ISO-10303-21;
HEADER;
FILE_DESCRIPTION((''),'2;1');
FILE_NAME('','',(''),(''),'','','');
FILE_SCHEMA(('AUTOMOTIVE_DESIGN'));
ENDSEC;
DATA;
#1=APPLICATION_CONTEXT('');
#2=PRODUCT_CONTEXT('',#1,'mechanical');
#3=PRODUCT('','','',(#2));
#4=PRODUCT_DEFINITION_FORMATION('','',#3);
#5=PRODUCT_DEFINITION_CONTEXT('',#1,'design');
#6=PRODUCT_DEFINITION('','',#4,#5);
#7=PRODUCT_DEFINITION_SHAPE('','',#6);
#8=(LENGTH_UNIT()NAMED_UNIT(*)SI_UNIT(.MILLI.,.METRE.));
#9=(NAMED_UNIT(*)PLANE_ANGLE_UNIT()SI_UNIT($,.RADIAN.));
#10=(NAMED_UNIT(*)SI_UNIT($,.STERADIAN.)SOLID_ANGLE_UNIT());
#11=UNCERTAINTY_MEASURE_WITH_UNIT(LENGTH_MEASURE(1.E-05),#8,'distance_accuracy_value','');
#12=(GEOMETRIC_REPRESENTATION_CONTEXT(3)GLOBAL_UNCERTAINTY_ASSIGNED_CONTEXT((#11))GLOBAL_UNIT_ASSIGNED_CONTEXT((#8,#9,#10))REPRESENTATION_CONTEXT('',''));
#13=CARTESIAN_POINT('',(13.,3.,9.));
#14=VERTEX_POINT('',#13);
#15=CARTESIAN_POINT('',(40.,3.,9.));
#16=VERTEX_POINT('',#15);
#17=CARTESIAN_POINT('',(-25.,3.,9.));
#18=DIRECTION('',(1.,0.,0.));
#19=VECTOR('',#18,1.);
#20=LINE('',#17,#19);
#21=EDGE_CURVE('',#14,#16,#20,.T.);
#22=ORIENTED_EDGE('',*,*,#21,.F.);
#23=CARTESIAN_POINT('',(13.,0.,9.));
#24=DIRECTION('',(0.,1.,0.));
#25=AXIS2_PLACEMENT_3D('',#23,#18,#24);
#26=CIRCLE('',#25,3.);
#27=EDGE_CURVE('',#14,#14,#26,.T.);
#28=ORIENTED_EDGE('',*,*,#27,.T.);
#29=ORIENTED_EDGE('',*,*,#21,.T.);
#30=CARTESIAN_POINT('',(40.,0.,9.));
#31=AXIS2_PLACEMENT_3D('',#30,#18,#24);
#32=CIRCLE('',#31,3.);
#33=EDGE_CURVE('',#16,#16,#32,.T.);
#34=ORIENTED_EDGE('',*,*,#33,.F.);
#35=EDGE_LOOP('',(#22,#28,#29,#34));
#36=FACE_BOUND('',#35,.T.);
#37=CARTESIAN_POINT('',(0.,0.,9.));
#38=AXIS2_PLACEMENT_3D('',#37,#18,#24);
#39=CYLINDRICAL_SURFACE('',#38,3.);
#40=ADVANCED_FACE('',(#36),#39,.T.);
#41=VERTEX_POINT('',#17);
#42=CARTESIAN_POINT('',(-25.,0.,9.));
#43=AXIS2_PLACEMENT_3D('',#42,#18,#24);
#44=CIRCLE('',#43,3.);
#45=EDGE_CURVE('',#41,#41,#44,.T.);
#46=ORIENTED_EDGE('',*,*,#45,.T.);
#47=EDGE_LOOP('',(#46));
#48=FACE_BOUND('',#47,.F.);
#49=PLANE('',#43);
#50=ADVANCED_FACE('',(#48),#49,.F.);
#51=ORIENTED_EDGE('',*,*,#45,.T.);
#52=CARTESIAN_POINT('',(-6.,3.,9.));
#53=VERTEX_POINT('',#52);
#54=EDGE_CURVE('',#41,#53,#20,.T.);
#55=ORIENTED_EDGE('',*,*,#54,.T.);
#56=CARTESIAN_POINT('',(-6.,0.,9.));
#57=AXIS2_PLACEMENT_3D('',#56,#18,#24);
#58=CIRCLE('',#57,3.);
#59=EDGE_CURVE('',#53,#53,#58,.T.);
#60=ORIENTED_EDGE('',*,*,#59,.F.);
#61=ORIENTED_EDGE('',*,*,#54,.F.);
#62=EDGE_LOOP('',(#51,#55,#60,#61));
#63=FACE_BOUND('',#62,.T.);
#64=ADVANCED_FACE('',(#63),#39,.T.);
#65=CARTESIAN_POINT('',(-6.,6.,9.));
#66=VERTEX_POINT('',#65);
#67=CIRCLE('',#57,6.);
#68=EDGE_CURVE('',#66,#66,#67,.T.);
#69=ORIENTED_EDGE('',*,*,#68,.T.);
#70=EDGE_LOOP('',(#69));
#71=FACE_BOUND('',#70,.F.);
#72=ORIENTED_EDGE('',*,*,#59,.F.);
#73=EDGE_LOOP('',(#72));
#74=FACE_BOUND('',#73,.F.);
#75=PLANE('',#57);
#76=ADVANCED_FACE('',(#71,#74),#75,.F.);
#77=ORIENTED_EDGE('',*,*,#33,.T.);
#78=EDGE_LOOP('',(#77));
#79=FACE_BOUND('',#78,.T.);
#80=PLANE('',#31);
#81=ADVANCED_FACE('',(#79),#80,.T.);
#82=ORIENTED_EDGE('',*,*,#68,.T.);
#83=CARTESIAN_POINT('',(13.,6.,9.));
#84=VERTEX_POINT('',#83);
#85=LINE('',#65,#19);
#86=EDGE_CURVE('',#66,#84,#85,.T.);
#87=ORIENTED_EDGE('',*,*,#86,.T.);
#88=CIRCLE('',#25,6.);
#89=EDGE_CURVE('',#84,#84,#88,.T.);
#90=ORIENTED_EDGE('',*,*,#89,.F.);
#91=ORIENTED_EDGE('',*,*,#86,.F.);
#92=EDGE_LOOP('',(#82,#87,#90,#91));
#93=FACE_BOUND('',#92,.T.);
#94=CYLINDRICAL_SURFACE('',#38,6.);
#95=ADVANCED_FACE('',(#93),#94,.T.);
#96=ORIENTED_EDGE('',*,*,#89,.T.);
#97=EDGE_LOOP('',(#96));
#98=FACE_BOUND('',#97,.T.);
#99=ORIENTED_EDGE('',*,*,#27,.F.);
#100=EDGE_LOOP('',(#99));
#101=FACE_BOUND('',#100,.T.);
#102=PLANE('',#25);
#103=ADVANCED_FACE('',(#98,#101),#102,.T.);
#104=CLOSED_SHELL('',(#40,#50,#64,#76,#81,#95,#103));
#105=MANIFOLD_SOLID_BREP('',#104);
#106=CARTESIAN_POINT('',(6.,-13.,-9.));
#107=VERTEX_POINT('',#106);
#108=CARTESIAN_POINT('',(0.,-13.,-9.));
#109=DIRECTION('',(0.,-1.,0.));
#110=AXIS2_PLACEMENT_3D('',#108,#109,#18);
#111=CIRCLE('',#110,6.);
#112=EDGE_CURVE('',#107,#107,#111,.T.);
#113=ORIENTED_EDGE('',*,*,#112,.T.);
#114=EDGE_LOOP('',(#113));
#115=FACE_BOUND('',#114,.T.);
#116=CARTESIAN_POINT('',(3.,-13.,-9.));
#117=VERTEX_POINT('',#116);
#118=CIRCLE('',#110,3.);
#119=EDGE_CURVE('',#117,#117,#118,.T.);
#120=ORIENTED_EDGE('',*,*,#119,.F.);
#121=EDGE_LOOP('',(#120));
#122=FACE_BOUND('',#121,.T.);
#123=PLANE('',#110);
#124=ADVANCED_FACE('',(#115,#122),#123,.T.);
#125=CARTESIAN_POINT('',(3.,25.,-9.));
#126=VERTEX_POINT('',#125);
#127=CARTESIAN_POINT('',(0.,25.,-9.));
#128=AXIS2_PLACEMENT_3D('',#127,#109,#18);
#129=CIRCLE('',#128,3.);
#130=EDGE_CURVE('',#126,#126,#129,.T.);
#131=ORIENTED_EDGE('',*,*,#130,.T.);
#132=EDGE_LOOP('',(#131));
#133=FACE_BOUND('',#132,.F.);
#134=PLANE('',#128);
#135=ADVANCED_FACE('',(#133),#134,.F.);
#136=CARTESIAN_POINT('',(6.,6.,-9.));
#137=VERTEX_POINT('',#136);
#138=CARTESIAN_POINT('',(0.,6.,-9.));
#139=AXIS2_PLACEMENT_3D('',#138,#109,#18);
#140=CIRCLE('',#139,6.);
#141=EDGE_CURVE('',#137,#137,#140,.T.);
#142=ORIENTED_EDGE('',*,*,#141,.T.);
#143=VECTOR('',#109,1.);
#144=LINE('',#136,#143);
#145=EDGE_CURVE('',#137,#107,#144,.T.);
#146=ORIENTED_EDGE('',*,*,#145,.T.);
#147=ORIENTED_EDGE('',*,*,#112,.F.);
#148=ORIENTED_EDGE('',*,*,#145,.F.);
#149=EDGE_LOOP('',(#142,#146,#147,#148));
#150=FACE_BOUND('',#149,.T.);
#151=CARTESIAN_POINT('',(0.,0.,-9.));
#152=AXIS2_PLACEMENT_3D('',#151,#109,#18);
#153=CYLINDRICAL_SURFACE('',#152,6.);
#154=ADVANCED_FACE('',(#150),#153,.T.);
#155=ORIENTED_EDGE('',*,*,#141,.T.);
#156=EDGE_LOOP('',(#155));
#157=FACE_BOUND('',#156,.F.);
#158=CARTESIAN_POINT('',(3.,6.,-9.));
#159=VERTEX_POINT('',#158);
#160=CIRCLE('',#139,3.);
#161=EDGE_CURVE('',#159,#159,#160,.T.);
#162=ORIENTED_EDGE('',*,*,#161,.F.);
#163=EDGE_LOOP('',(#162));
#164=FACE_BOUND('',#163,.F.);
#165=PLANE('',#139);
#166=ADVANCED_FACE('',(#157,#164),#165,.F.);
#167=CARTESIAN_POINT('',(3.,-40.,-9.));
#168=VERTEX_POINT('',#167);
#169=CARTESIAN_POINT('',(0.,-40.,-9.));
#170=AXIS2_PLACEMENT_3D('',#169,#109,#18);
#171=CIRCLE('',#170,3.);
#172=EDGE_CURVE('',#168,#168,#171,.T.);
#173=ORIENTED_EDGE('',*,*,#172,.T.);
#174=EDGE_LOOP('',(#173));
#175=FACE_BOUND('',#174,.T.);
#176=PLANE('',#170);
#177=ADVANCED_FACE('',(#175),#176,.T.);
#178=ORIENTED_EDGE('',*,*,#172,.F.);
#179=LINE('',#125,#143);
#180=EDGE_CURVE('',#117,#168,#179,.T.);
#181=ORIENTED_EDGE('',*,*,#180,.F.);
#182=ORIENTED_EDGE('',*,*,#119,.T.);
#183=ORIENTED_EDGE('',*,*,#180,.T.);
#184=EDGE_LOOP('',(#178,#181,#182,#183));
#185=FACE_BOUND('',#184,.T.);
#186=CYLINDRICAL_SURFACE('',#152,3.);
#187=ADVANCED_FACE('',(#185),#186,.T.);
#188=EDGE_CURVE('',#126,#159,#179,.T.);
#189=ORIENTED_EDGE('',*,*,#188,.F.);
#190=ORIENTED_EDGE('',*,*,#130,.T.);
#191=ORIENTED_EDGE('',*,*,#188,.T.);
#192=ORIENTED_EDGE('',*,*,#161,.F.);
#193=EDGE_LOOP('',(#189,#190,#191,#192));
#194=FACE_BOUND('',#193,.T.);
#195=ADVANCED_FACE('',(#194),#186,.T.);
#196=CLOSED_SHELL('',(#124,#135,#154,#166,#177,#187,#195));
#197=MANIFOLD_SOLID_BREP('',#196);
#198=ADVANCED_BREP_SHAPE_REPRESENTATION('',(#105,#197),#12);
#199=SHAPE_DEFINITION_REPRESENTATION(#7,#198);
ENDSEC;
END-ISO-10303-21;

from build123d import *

# Parameters (mm, degrees)
F4_R          = 3
F5_DEPTH      = 40
F5_DEPTH_BACK = 25
F4_R_2        = 6
F6_DEPTH      = 13
F6_DEPTH_BACK = 6
F3_R          = 3
F7_DEPTH      = 40
F7_DEPTH_BACK = 25
F3_R_2        = 6
F8_DEPTH      = 13
F8_DEPTH_BACK = 6


with BuildPart() as f5:
    # F4 (on Right) → F5 (new body, two sides)
    with BuildSketch(Plane.YZ) as f5_sk:
        with Locations((0, 9)):
            Circle(F4_R)
    extrude(amount=F5_DEPTH)
    extrude(f5_sk.sketch, amount=-F5_DEPTH_BACK)

    # F4 (on Right) → F6 (join, two sides)
    with BuildSketch(Plane.YZ) as f6_sk:
        with Locations((0, 9)):
            Circle(F4_R_2)
        with Locations((0, 9)):
            Circle(F4_R, mode=Mode.SUBTRACT)
    extrude(amount=F6_DEPTH)
    extrude(f6_sk.sketch, amount=-F6_DEPTH_BACK)


with BuildPart() as f7:
    # F3 (on Front) → F7 (new body, two sides)
    with BuildSketch(Plane.XZ) as f7_sk:
        with Locations((0, -9)):
            Circle(F3_R)
    extrude(amount=F7_DEPTH)
    extrude(f7_sk.sketch, amount=-F7_DEPTH_BACK)

    # F3 (on Front) → F8 (join, two sides)
    with BuildSketch(Plane.XZ) as f8_sk:
        with Locations((0, -9)):
            Circle(F3_R_2)
        with Locations((0, -9)):
            Circle(F3_R, mode=Mode.SUBTRACT)
    extrude(amount=F8_DEPTH)
    extrude(f8_sk.sketch, amount=-F8_DEPTH_BACK)


solid = Compound([f5.part, f7.part])
